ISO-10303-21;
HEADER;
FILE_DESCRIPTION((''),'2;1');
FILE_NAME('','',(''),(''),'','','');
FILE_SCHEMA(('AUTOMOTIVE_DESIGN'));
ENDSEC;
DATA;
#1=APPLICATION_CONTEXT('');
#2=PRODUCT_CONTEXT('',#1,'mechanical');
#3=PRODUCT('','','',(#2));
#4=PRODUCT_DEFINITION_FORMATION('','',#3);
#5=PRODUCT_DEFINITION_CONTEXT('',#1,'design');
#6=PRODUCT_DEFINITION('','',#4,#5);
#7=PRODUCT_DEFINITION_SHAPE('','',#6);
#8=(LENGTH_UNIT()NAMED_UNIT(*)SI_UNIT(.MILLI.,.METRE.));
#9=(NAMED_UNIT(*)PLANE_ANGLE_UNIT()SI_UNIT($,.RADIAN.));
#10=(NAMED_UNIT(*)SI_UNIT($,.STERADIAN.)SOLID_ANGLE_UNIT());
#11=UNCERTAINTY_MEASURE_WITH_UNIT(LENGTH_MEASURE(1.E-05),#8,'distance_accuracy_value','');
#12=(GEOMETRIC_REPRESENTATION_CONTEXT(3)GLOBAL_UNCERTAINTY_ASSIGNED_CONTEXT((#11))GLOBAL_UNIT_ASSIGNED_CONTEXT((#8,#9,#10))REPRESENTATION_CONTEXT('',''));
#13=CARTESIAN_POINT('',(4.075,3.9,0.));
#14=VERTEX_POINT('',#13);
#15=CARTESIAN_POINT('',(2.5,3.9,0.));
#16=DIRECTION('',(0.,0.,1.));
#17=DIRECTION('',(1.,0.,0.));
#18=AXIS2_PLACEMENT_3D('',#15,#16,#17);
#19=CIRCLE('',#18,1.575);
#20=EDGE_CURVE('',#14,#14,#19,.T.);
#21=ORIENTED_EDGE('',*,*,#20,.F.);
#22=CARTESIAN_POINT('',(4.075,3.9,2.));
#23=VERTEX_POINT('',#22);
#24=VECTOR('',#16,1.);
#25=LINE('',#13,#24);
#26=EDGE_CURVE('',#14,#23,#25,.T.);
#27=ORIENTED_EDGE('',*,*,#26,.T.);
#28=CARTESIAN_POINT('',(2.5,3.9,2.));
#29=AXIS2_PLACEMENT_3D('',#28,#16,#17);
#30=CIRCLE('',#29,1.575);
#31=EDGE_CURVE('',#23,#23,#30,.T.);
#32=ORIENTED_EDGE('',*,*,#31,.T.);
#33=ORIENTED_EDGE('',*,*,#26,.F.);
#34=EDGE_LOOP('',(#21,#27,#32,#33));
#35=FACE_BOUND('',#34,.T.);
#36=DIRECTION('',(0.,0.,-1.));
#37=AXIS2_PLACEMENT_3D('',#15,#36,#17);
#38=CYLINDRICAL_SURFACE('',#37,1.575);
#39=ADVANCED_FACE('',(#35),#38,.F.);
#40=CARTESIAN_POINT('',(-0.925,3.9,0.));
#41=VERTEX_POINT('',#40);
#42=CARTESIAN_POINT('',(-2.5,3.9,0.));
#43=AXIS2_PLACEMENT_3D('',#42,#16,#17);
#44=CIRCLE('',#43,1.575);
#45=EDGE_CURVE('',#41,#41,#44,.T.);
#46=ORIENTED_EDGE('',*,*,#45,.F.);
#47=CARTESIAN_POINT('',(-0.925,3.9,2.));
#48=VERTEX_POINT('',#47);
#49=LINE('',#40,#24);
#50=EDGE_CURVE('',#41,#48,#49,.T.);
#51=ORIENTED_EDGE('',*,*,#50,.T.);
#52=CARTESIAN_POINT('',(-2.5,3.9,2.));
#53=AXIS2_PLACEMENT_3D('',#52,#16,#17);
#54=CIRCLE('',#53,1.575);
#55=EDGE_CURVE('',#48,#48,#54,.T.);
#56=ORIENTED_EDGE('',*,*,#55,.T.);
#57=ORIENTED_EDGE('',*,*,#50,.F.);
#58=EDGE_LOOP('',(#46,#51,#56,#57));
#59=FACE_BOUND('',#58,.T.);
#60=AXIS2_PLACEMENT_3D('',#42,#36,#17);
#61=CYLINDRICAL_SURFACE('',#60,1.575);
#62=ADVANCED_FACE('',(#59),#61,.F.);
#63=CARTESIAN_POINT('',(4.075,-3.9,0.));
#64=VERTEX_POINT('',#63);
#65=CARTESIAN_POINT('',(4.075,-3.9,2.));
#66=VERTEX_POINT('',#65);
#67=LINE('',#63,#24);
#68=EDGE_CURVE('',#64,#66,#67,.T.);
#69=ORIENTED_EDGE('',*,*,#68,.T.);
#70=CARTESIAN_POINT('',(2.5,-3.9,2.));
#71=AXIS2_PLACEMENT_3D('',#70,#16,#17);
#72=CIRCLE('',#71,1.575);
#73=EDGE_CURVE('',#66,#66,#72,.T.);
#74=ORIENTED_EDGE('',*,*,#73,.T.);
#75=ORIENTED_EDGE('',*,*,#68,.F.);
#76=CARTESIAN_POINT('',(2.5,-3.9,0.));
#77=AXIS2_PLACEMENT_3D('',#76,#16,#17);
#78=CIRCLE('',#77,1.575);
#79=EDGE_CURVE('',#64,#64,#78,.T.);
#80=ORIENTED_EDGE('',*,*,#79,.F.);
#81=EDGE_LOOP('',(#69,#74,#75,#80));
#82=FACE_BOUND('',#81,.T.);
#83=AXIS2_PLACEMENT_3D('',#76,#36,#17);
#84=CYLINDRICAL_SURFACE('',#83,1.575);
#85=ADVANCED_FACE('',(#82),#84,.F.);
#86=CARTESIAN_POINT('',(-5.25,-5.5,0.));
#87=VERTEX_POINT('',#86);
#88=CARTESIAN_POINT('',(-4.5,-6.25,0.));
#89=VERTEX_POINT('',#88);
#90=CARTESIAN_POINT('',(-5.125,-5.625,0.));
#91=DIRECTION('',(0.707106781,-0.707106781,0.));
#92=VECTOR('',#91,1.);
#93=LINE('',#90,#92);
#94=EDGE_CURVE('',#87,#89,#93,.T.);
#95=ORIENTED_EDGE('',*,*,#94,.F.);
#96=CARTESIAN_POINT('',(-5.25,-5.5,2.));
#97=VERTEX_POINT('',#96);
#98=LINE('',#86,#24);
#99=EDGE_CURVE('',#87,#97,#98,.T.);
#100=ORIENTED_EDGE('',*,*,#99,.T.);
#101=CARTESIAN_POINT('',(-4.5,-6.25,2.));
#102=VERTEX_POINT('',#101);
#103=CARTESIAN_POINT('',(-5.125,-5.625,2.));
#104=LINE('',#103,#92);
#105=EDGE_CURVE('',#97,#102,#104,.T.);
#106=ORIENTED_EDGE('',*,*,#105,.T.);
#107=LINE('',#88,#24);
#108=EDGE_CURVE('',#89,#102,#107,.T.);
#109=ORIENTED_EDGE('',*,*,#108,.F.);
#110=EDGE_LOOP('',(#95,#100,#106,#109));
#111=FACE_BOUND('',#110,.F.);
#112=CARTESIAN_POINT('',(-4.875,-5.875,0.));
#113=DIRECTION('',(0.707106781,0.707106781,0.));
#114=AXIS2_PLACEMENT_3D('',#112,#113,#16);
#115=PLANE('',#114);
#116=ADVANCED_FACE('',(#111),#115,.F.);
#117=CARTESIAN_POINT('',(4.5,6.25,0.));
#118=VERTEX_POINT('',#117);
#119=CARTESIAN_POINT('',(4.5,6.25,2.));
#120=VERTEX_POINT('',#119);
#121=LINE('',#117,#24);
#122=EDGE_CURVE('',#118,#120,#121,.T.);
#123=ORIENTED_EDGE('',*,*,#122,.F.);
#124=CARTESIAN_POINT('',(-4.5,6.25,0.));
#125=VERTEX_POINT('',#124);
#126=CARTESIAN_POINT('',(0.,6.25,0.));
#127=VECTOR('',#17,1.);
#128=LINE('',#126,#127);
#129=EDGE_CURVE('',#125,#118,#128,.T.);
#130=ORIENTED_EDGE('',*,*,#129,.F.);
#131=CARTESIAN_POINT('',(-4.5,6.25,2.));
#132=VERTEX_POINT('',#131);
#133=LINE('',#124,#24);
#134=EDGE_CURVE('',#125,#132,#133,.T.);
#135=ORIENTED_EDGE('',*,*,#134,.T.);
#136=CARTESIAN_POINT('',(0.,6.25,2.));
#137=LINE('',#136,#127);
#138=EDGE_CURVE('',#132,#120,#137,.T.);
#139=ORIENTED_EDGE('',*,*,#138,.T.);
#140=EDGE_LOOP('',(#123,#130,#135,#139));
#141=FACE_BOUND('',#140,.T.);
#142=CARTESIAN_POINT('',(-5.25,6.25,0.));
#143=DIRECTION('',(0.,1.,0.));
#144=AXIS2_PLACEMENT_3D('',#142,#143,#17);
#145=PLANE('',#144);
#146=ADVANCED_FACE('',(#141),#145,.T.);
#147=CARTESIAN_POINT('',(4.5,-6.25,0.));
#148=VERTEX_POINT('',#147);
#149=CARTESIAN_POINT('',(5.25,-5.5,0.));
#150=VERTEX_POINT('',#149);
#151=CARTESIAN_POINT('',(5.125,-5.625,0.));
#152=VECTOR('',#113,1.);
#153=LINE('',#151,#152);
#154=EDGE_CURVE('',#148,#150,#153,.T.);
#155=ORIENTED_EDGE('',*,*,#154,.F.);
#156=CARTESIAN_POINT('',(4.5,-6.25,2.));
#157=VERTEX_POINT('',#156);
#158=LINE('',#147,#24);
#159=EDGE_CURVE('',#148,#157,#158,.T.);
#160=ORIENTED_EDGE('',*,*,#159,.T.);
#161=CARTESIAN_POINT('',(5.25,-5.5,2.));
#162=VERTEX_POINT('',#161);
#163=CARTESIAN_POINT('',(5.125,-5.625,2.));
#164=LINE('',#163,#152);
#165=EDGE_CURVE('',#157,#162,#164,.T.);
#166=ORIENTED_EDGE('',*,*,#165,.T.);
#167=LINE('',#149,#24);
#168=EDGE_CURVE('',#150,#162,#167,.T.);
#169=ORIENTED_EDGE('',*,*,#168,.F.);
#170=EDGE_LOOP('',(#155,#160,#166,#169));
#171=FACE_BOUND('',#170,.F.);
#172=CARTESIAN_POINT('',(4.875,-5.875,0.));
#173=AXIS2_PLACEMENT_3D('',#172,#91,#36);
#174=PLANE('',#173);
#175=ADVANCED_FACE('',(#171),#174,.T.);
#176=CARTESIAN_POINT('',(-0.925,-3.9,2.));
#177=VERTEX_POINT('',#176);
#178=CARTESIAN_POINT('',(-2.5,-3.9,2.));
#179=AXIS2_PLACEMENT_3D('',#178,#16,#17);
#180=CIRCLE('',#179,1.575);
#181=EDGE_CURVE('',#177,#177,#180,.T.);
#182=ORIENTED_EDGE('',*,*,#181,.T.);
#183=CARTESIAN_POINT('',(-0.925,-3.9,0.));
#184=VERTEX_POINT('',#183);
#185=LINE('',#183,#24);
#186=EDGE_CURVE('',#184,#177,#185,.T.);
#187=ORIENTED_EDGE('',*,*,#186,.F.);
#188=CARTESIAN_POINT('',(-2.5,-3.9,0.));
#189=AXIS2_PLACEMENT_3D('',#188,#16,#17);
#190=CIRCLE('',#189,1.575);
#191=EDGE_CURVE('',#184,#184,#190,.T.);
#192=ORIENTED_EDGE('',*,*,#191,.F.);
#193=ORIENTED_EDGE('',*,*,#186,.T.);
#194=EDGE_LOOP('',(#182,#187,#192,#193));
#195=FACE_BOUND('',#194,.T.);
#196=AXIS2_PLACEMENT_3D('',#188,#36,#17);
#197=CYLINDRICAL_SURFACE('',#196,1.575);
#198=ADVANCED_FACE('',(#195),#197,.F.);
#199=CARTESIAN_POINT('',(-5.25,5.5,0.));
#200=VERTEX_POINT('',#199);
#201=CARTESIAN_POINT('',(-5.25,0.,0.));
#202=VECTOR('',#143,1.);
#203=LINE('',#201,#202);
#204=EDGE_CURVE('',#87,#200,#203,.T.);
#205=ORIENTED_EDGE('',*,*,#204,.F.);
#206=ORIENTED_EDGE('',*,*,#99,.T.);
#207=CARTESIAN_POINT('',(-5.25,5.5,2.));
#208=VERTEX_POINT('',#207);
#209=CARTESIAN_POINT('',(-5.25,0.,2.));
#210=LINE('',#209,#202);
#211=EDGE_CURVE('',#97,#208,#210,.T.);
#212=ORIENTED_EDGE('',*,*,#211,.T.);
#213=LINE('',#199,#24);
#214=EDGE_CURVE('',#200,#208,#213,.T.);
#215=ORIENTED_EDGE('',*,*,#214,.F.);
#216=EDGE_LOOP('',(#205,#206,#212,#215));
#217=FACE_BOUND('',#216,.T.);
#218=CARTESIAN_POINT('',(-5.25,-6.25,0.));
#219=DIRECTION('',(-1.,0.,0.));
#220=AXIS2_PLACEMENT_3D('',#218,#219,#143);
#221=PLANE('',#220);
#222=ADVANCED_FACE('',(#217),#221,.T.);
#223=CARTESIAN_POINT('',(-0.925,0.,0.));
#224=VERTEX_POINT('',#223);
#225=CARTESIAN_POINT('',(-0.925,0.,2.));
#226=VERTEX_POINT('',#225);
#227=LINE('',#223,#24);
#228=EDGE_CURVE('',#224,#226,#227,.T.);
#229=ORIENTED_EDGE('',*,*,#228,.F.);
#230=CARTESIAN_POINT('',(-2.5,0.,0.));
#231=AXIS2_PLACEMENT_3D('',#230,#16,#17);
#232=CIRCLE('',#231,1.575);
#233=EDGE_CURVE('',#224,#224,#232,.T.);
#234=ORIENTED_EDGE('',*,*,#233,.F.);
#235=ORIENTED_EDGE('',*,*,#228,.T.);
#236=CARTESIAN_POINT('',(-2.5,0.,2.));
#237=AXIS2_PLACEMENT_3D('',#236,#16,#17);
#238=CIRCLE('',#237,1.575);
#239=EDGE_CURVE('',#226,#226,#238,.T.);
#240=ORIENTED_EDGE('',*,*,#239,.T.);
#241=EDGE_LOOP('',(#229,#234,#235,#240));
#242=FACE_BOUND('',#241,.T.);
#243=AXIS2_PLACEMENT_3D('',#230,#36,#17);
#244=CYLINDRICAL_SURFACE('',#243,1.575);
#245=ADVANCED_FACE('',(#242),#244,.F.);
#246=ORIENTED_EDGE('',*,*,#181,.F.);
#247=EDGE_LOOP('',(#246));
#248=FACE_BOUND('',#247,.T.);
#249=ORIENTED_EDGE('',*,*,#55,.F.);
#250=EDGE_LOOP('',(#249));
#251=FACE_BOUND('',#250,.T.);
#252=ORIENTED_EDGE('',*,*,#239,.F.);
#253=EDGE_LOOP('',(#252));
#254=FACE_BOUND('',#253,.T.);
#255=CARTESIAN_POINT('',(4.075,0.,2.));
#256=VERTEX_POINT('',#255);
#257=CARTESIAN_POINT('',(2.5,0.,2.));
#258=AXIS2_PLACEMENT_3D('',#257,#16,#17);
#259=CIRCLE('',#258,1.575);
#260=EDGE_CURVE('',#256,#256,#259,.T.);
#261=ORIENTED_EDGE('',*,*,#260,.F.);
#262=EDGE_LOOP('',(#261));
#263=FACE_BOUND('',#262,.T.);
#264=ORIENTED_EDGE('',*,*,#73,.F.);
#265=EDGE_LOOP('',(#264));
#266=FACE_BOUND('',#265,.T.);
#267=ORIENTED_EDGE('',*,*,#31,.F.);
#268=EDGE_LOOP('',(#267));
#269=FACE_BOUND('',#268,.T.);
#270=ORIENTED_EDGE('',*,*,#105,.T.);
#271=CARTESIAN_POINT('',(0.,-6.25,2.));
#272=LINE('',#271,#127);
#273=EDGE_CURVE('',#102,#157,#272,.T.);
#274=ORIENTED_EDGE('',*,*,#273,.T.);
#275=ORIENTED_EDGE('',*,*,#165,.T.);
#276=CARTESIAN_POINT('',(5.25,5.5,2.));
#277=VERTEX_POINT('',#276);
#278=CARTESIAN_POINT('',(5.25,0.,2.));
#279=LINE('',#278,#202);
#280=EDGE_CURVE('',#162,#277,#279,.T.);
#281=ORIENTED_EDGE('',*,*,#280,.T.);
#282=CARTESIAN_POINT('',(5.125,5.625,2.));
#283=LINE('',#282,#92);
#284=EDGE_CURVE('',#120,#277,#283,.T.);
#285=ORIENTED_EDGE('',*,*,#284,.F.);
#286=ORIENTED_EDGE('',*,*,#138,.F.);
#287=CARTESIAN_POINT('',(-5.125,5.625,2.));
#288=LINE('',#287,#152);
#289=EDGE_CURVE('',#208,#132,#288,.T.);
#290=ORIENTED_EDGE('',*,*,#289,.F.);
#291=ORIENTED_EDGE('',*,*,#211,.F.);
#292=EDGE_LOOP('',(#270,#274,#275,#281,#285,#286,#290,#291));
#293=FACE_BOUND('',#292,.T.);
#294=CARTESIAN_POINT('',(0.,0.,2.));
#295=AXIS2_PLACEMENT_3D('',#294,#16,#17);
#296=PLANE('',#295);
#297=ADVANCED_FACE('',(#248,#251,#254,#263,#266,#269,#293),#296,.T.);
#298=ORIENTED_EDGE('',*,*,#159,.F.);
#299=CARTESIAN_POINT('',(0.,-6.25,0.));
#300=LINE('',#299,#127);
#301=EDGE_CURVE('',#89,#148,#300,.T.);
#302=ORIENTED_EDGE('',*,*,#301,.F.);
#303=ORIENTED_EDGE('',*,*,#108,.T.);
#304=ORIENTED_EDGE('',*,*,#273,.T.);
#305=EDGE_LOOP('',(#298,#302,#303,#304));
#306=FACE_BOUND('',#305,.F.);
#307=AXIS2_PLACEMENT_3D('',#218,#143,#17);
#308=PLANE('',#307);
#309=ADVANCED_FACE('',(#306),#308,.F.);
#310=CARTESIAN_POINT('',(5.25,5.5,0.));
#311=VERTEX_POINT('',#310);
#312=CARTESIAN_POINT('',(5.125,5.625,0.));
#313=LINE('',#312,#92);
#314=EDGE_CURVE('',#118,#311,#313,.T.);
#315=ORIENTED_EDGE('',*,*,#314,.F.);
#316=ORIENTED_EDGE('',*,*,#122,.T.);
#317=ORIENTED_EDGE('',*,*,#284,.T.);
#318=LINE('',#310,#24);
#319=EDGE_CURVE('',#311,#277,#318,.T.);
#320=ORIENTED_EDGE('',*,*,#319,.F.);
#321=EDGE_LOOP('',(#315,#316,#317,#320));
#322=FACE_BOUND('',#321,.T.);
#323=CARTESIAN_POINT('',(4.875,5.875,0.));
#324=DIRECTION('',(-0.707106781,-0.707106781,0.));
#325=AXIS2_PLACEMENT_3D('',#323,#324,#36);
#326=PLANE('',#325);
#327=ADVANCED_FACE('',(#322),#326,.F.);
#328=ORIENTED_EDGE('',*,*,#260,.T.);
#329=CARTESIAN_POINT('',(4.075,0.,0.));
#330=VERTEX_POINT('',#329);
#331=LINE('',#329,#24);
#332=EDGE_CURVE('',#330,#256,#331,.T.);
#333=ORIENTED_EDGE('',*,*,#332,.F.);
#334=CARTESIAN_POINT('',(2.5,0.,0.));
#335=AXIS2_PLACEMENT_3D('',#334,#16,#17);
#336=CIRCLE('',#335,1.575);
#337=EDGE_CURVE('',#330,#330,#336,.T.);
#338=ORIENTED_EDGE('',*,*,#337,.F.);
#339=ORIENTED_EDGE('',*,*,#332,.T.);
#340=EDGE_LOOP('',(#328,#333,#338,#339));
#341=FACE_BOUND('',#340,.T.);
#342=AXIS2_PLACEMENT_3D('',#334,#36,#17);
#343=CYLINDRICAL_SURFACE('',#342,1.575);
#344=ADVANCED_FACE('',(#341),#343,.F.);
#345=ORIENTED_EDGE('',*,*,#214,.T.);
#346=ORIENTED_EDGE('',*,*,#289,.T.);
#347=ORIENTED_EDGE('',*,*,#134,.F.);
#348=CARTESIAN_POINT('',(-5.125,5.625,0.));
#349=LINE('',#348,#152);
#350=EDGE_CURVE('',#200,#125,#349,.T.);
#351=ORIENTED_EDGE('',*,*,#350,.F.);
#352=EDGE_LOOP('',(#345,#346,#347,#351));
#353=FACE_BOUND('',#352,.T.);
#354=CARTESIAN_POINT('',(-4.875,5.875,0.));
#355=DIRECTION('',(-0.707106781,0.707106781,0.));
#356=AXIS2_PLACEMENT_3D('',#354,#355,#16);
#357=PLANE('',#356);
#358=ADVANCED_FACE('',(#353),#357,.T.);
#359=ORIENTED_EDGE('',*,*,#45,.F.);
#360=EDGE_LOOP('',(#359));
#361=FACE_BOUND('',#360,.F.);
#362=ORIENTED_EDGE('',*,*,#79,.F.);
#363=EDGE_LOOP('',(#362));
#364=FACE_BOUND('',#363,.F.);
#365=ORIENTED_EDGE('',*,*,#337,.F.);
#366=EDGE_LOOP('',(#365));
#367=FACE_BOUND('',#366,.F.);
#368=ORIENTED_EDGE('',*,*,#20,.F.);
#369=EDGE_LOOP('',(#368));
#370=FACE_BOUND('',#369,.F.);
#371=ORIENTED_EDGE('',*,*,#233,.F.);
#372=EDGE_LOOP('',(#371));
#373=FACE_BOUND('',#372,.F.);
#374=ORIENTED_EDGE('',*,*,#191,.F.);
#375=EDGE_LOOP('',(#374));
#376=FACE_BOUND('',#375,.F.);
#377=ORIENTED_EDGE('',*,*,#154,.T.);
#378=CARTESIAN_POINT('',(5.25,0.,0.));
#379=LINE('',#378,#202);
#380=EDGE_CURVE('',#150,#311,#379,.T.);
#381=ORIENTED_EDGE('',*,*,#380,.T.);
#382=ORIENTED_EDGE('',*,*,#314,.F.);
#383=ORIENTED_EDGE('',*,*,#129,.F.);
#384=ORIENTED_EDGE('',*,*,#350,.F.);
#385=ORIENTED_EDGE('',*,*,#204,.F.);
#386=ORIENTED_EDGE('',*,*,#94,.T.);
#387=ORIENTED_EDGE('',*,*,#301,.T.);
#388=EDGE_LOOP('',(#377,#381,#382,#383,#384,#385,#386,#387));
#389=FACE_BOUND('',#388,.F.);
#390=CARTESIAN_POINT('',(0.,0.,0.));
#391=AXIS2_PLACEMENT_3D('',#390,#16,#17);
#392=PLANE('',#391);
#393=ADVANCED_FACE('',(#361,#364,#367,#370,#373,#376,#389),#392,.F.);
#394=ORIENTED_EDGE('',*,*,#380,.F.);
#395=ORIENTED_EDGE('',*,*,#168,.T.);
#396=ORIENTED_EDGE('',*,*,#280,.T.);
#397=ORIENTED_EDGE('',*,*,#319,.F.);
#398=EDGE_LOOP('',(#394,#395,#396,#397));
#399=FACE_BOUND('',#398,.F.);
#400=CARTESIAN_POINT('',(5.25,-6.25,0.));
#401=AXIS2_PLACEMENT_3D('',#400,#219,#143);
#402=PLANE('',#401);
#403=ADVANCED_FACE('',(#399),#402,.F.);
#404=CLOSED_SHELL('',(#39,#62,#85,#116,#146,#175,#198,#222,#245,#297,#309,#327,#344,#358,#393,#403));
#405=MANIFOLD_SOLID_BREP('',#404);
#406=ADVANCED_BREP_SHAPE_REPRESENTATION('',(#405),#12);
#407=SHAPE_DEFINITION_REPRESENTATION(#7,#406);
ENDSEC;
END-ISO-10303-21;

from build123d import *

# Parameters (mm, degrees)
F0_W     = 10.5
F0_H     = 12.5
F0_R     = 1.575
F1_DEPTH = 2
F2_SIZE  = 0.75


with BuildPart() as f1:
    # F0 (on Top) → F1 (new body)
    with BuildSketch(Plane.XY):
        Rectangle(F0_W, F0_H)
        with Locations((-2.5, -3.9)):
            Circle(F0_R, mode=Mode.SUBTRACT)
        with Locations((2.5, -3.9)):
            Circle(F0_R, mode=Mode.SUBTRACT)
        with Locations((-2.5, 0)):
            Circle(F0_R, mode=Mode.SUBTRACT)
        with Locations((-2.5, 3.9)):
            Circle(F0_R, mode=Mode.SUBTRACT)
        with Locations((2.5, 0)):
            Circle(F0_R, mode=Mode.SUBTRACT)
        with Locations((2.5, 3.9)):
            Circle(F0_R, mode=Mode.SUBTRACT)
    extrude(amount=F1_DEPTH)

    # F2
    f2_edges = [f1.edges().sort_by_distance(p)[0] for p in [
        (-5.25, 6.25, 1),
        (5.25, 6.25, 1),
        (5.25, -6.25, 1),
        (-5.25, -6.25, 1),
    ]]
    chamfer(f2_edges, length=F2_SIZE)


solid = f1.part
